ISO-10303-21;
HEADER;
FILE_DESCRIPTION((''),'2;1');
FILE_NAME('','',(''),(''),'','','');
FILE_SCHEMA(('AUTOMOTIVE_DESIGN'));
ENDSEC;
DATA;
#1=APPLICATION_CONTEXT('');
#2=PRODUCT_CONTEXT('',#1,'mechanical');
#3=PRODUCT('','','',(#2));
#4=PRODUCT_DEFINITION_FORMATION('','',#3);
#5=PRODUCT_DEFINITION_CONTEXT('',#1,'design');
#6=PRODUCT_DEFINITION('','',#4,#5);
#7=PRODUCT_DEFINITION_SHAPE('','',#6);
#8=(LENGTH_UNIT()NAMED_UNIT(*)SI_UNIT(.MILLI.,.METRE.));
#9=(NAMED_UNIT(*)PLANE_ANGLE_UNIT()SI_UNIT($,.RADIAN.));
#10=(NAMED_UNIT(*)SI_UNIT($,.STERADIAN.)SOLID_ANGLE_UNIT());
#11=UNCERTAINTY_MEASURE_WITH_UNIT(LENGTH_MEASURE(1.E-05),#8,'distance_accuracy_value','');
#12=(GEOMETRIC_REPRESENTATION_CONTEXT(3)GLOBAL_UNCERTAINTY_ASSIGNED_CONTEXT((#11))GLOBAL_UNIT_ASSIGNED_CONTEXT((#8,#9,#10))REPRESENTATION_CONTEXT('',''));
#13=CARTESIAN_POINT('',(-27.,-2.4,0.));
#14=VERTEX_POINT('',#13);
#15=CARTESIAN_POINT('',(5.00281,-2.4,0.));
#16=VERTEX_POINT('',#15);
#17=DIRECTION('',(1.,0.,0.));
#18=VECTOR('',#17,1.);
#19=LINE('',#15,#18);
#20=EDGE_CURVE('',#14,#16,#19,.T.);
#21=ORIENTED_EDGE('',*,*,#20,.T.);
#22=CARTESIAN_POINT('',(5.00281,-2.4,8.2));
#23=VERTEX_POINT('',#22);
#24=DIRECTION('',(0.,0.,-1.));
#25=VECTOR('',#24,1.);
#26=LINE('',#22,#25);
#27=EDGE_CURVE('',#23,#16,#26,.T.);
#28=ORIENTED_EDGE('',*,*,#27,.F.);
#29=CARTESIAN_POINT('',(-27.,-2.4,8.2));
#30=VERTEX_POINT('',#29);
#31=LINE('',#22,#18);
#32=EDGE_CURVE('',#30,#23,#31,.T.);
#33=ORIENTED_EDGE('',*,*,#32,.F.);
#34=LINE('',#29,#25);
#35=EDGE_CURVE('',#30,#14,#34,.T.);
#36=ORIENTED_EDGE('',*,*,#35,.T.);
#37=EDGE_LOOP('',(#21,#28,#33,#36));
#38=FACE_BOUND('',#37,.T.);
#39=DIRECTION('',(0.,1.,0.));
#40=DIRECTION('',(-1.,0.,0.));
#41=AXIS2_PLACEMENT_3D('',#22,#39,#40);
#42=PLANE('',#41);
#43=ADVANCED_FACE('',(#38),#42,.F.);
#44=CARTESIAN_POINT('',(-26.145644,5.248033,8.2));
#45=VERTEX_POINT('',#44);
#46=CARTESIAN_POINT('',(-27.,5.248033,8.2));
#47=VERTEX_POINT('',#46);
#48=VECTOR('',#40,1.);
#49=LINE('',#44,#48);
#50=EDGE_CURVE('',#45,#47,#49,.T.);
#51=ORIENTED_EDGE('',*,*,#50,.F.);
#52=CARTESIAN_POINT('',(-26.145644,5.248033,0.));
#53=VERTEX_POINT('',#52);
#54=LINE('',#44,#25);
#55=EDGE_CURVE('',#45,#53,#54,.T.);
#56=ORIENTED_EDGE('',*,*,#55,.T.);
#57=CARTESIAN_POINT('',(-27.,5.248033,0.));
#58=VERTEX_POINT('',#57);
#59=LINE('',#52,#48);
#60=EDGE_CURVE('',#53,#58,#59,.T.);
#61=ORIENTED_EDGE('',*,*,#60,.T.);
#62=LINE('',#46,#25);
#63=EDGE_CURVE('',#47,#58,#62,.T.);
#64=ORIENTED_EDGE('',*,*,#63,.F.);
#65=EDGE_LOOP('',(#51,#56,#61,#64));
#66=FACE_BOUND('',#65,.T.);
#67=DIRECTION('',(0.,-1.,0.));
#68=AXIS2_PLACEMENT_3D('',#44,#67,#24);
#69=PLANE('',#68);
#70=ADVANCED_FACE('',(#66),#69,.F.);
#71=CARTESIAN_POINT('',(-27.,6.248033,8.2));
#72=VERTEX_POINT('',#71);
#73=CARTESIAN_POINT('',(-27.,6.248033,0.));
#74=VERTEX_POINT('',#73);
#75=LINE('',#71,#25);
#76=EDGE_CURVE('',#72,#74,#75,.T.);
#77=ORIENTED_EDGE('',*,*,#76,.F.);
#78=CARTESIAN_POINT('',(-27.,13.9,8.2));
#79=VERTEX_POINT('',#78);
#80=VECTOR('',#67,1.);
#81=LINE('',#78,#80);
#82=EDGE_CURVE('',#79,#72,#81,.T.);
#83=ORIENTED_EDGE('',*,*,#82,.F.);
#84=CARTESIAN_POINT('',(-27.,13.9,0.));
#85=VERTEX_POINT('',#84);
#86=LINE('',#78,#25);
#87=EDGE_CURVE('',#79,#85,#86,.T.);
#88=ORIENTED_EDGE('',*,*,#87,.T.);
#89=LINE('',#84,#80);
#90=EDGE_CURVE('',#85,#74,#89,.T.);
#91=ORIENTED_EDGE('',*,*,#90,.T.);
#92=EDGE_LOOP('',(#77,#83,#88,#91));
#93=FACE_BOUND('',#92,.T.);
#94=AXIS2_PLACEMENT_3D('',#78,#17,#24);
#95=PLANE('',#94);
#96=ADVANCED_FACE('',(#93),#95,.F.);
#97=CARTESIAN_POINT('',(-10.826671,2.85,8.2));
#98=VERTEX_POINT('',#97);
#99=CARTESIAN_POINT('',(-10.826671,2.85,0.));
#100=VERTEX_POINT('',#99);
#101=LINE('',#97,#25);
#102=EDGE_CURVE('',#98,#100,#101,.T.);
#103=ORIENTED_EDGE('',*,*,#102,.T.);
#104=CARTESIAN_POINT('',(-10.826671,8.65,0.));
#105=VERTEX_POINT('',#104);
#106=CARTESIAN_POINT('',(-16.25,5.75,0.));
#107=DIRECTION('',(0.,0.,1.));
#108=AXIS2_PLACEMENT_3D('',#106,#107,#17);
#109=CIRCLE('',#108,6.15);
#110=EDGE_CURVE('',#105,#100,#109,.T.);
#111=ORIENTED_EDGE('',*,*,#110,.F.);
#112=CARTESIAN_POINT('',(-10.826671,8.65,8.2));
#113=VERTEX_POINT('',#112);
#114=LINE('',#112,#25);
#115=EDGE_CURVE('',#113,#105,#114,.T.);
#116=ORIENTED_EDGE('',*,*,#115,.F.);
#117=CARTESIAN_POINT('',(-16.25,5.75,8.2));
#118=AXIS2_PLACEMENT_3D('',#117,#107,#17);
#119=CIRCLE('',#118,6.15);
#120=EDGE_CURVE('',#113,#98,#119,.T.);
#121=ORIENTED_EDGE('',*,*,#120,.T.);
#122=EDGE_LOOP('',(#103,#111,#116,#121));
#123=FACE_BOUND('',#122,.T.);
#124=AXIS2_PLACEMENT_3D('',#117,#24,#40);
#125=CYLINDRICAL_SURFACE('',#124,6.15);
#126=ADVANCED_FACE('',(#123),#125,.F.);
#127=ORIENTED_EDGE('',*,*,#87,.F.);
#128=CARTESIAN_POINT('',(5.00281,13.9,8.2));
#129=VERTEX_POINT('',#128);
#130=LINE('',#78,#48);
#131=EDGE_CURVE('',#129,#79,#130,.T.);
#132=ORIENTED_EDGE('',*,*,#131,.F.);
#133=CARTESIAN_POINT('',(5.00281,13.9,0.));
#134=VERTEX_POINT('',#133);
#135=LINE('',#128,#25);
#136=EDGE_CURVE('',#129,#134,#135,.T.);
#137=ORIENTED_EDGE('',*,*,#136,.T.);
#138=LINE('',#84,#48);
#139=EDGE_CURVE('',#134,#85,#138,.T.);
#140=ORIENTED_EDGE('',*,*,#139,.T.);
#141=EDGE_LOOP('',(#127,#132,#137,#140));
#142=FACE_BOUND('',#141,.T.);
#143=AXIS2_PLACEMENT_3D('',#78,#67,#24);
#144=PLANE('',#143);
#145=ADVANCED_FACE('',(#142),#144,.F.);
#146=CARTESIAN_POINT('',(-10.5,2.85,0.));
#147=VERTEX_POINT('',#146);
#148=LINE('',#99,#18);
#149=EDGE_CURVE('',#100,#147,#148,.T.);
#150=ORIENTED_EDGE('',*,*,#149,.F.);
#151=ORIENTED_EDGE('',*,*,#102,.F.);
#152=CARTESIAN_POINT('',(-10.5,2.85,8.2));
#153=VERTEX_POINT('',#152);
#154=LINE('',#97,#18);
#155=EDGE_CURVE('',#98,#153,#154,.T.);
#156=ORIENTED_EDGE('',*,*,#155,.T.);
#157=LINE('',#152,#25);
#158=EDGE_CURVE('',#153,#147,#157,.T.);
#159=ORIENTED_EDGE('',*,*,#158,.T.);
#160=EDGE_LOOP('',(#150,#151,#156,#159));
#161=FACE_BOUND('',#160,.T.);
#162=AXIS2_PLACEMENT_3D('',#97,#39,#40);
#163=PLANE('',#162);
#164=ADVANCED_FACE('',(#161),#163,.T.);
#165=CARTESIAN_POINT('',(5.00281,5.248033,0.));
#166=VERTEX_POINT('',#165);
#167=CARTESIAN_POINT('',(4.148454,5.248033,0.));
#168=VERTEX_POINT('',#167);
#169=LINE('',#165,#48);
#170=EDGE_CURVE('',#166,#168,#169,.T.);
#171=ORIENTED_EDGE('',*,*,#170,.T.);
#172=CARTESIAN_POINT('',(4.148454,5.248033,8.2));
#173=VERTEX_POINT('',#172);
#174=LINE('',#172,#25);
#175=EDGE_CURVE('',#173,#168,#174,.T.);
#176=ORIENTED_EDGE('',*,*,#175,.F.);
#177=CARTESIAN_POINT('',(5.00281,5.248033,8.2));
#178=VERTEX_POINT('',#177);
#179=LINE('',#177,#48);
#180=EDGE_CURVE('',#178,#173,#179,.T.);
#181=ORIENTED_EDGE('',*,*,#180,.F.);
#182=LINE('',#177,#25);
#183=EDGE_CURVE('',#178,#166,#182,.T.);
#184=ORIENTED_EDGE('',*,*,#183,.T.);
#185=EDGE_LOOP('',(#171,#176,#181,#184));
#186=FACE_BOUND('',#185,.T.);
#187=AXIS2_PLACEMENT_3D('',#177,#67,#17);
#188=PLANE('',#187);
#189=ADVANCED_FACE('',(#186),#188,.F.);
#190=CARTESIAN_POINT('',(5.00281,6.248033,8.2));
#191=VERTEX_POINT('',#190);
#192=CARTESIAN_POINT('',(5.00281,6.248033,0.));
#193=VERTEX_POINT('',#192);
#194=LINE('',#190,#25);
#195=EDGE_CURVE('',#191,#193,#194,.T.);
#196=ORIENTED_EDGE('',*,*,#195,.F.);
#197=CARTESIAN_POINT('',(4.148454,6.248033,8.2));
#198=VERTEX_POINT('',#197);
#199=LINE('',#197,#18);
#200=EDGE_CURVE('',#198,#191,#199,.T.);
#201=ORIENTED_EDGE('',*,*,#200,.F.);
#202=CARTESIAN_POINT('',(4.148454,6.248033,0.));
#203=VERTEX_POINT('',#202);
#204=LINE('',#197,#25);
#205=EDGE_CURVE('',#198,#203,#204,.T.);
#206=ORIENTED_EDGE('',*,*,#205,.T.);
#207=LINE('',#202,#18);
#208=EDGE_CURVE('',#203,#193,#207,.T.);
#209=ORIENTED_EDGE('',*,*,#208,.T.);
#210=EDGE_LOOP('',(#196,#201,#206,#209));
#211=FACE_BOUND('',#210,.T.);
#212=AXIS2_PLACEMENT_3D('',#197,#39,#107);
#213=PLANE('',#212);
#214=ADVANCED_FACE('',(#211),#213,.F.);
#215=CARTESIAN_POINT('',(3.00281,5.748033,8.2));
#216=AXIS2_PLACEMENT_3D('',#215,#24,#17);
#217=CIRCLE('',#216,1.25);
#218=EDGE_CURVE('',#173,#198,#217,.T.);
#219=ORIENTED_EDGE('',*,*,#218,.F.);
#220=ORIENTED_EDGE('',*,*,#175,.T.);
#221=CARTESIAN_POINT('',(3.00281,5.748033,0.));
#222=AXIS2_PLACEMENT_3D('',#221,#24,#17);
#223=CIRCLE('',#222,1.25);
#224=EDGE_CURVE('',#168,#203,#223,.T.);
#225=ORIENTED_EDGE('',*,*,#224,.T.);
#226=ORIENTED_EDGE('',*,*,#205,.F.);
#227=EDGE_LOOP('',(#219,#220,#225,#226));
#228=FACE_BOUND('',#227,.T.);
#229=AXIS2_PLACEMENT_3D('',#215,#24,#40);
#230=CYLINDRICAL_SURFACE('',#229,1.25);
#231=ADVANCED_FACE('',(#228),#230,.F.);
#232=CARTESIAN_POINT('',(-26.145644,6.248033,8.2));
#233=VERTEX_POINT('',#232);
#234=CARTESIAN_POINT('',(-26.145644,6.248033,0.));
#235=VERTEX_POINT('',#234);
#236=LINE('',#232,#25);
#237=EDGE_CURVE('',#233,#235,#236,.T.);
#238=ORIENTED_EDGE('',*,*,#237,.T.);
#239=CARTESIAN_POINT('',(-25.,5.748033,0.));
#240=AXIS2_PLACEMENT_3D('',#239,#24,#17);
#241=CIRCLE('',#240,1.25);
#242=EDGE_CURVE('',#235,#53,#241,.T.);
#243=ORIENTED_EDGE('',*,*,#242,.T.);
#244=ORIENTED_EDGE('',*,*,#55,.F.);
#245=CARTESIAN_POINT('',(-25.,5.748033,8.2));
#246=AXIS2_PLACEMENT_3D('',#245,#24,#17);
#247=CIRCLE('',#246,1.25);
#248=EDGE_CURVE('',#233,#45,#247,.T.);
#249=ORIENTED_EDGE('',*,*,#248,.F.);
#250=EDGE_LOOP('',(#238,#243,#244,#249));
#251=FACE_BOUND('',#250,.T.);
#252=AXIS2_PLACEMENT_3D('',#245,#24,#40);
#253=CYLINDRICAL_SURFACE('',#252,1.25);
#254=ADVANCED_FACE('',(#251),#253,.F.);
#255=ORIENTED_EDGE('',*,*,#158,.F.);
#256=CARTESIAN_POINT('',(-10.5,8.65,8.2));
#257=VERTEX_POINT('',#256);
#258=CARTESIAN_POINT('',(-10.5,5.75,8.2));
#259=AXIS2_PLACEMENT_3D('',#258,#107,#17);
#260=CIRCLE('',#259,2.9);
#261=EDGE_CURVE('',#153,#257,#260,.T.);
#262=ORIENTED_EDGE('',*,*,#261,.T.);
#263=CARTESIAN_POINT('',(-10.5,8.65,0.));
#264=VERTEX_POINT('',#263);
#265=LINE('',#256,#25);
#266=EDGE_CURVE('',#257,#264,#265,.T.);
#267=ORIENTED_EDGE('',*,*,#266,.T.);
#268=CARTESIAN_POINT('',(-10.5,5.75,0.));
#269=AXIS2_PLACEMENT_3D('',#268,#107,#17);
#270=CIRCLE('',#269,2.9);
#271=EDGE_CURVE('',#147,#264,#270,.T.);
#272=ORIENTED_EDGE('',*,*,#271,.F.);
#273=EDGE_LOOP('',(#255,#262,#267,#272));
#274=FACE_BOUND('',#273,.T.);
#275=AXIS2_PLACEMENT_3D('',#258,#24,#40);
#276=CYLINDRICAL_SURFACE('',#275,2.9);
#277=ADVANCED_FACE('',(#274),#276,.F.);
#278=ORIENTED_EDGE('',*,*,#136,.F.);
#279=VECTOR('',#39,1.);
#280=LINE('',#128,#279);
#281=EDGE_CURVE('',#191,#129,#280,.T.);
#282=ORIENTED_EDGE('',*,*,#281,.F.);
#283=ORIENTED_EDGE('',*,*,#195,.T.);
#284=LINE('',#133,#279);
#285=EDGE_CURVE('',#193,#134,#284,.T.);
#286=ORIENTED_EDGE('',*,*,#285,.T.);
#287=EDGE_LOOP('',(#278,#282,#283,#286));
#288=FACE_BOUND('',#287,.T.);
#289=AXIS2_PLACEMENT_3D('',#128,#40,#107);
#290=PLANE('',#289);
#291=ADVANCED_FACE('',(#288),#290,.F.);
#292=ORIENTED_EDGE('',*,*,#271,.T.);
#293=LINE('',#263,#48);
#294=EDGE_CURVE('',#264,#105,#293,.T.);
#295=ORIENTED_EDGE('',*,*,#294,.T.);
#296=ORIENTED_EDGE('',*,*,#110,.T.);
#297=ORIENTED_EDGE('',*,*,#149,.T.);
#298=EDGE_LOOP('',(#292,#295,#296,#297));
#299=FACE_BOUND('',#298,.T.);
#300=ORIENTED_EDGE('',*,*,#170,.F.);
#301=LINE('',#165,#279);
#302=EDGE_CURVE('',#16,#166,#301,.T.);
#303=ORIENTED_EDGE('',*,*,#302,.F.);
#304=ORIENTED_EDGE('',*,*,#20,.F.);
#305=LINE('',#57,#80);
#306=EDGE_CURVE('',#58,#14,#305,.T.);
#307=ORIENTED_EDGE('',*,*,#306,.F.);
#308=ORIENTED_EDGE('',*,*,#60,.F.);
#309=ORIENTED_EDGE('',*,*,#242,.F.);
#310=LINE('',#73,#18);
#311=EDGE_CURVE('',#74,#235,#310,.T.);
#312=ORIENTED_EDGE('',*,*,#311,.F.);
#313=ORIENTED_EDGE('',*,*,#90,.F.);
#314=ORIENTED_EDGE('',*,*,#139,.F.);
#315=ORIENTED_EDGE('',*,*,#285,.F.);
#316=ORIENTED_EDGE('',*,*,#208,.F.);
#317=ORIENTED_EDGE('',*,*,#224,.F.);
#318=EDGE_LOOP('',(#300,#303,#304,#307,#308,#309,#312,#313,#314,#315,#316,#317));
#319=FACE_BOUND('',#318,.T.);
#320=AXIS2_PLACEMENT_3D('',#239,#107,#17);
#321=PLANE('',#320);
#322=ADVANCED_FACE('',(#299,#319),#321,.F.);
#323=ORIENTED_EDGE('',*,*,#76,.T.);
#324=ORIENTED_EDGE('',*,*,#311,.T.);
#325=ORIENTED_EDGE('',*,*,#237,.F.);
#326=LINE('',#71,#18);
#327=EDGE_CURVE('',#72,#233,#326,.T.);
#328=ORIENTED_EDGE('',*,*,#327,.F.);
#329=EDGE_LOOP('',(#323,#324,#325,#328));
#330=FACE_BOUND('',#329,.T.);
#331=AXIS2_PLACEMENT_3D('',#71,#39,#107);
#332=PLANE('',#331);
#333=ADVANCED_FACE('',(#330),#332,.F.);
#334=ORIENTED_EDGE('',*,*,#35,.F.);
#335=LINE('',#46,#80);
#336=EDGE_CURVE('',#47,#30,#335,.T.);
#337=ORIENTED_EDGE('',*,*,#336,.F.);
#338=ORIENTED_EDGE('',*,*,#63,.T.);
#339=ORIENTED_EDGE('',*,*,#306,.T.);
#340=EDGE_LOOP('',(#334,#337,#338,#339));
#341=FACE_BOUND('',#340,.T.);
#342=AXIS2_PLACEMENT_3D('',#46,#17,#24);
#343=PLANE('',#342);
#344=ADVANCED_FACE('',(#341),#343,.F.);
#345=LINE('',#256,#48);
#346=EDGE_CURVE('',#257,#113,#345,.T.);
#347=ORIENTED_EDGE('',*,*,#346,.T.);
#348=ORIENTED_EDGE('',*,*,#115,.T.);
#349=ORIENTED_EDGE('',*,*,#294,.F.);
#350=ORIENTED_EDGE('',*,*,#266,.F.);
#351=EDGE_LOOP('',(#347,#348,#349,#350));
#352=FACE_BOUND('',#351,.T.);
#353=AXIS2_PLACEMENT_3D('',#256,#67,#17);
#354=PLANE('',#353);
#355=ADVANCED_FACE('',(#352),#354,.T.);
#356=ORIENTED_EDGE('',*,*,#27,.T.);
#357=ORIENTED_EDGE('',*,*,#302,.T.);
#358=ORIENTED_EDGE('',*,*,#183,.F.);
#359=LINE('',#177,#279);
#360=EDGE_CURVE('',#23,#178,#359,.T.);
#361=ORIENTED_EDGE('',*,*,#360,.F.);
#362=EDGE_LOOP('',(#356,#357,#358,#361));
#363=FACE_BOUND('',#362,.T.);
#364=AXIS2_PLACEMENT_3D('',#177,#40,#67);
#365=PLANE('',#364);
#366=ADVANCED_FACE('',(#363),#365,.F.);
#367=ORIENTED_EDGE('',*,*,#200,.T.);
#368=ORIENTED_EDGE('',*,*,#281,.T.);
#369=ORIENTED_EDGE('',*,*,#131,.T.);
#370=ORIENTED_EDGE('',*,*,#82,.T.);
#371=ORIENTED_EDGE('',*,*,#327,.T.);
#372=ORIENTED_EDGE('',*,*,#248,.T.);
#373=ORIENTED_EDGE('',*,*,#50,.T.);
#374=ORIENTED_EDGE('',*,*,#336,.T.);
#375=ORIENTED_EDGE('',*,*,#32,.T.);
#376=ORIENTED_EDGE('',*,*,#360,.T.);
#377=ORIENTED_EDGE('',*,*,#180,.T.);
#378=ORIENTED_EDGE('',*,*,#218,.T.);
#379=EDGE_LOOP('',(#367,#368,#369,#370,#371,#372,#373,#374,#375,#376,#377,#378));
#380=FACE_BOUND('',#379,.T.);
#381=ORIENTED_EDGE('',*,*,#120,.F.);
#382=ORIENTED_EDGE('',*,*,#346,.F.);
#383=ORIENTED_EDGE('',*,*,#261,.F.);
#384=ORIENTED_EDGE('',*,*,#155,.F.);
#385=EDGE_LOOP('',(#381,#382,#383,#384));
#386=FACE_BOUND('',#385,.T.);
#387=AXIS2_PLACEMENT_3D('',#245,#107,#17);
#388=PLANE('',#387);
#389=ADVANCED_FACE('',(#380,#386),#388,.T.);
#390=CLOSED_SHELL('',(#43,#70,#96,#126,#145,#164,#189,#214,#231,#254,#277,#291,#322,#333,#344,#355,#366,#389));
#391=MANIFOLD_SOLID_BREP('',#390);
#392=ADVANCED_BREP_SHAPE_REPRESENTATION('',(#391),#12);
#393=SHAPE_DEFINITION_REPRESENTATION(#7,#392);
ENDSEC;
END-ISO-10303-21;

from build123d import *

# Parameters (mm, degrees)
BOSS_EXTRUDE1_DEPTH = 8.2


with BuildPart() as part:
    # Sketch1 → Boss-Extrude1 (new body)
    with BuildSketch(Plane.XY):
        with BuildLine():
            Line((5.002809822, -2.4), (-27, -2.4))
            Line((-27, -2.4), (-27, 5.24803322))
            Line((-27, 5.24803322), (-26.145643924, 5.24803322))
            ThreePointArc((-26.145643924, 5.24803322), (-23.75, 5.74803322), (-26.145643924, 6.24803322))
            Line((-26.145643924, 6.24803322), (-27, 6.24803322))
            Line((-27, 6.24803322), (-27, 13.9))
            Line((-27, 13.9), (5.002809822, 13.9))
            Line((5.002809822, 13.9), (5.002809822, 6.24803322))
            Line((5.002809822, 6.24803322), (4.148453745, 6.24803322))
            ThreePointArc((4.148453745, 6.24803322), (1.752809822, 5.74803322), (4.148453745, 5.24803322))
            Line((4.148453745, 5.24803322), (5.002809822, 5.24803322))
            Line((5.002809822, 5.24803322), (5.002809822, -2.4))
        make_face()
        with BuildLine():
            Line((-10.5, 8.65), (-10.826670764, 8.65))
            ThreePointArc((-10.826670764, 8.65), (-22.4, 5.75), (-10.826670764, 2.85))
            Line((-10.826670764, 2.85), (-10.5, 2.85))
            ThreePointArc((-10.5, 2.85), (-7.6, 5.75), (-10.5, 8.65))
        make_face(mode=Mode.SUBTRACT)
    extrude(amount=BOSS_EXTRUDE1_DEPTH)


solid = part.part
